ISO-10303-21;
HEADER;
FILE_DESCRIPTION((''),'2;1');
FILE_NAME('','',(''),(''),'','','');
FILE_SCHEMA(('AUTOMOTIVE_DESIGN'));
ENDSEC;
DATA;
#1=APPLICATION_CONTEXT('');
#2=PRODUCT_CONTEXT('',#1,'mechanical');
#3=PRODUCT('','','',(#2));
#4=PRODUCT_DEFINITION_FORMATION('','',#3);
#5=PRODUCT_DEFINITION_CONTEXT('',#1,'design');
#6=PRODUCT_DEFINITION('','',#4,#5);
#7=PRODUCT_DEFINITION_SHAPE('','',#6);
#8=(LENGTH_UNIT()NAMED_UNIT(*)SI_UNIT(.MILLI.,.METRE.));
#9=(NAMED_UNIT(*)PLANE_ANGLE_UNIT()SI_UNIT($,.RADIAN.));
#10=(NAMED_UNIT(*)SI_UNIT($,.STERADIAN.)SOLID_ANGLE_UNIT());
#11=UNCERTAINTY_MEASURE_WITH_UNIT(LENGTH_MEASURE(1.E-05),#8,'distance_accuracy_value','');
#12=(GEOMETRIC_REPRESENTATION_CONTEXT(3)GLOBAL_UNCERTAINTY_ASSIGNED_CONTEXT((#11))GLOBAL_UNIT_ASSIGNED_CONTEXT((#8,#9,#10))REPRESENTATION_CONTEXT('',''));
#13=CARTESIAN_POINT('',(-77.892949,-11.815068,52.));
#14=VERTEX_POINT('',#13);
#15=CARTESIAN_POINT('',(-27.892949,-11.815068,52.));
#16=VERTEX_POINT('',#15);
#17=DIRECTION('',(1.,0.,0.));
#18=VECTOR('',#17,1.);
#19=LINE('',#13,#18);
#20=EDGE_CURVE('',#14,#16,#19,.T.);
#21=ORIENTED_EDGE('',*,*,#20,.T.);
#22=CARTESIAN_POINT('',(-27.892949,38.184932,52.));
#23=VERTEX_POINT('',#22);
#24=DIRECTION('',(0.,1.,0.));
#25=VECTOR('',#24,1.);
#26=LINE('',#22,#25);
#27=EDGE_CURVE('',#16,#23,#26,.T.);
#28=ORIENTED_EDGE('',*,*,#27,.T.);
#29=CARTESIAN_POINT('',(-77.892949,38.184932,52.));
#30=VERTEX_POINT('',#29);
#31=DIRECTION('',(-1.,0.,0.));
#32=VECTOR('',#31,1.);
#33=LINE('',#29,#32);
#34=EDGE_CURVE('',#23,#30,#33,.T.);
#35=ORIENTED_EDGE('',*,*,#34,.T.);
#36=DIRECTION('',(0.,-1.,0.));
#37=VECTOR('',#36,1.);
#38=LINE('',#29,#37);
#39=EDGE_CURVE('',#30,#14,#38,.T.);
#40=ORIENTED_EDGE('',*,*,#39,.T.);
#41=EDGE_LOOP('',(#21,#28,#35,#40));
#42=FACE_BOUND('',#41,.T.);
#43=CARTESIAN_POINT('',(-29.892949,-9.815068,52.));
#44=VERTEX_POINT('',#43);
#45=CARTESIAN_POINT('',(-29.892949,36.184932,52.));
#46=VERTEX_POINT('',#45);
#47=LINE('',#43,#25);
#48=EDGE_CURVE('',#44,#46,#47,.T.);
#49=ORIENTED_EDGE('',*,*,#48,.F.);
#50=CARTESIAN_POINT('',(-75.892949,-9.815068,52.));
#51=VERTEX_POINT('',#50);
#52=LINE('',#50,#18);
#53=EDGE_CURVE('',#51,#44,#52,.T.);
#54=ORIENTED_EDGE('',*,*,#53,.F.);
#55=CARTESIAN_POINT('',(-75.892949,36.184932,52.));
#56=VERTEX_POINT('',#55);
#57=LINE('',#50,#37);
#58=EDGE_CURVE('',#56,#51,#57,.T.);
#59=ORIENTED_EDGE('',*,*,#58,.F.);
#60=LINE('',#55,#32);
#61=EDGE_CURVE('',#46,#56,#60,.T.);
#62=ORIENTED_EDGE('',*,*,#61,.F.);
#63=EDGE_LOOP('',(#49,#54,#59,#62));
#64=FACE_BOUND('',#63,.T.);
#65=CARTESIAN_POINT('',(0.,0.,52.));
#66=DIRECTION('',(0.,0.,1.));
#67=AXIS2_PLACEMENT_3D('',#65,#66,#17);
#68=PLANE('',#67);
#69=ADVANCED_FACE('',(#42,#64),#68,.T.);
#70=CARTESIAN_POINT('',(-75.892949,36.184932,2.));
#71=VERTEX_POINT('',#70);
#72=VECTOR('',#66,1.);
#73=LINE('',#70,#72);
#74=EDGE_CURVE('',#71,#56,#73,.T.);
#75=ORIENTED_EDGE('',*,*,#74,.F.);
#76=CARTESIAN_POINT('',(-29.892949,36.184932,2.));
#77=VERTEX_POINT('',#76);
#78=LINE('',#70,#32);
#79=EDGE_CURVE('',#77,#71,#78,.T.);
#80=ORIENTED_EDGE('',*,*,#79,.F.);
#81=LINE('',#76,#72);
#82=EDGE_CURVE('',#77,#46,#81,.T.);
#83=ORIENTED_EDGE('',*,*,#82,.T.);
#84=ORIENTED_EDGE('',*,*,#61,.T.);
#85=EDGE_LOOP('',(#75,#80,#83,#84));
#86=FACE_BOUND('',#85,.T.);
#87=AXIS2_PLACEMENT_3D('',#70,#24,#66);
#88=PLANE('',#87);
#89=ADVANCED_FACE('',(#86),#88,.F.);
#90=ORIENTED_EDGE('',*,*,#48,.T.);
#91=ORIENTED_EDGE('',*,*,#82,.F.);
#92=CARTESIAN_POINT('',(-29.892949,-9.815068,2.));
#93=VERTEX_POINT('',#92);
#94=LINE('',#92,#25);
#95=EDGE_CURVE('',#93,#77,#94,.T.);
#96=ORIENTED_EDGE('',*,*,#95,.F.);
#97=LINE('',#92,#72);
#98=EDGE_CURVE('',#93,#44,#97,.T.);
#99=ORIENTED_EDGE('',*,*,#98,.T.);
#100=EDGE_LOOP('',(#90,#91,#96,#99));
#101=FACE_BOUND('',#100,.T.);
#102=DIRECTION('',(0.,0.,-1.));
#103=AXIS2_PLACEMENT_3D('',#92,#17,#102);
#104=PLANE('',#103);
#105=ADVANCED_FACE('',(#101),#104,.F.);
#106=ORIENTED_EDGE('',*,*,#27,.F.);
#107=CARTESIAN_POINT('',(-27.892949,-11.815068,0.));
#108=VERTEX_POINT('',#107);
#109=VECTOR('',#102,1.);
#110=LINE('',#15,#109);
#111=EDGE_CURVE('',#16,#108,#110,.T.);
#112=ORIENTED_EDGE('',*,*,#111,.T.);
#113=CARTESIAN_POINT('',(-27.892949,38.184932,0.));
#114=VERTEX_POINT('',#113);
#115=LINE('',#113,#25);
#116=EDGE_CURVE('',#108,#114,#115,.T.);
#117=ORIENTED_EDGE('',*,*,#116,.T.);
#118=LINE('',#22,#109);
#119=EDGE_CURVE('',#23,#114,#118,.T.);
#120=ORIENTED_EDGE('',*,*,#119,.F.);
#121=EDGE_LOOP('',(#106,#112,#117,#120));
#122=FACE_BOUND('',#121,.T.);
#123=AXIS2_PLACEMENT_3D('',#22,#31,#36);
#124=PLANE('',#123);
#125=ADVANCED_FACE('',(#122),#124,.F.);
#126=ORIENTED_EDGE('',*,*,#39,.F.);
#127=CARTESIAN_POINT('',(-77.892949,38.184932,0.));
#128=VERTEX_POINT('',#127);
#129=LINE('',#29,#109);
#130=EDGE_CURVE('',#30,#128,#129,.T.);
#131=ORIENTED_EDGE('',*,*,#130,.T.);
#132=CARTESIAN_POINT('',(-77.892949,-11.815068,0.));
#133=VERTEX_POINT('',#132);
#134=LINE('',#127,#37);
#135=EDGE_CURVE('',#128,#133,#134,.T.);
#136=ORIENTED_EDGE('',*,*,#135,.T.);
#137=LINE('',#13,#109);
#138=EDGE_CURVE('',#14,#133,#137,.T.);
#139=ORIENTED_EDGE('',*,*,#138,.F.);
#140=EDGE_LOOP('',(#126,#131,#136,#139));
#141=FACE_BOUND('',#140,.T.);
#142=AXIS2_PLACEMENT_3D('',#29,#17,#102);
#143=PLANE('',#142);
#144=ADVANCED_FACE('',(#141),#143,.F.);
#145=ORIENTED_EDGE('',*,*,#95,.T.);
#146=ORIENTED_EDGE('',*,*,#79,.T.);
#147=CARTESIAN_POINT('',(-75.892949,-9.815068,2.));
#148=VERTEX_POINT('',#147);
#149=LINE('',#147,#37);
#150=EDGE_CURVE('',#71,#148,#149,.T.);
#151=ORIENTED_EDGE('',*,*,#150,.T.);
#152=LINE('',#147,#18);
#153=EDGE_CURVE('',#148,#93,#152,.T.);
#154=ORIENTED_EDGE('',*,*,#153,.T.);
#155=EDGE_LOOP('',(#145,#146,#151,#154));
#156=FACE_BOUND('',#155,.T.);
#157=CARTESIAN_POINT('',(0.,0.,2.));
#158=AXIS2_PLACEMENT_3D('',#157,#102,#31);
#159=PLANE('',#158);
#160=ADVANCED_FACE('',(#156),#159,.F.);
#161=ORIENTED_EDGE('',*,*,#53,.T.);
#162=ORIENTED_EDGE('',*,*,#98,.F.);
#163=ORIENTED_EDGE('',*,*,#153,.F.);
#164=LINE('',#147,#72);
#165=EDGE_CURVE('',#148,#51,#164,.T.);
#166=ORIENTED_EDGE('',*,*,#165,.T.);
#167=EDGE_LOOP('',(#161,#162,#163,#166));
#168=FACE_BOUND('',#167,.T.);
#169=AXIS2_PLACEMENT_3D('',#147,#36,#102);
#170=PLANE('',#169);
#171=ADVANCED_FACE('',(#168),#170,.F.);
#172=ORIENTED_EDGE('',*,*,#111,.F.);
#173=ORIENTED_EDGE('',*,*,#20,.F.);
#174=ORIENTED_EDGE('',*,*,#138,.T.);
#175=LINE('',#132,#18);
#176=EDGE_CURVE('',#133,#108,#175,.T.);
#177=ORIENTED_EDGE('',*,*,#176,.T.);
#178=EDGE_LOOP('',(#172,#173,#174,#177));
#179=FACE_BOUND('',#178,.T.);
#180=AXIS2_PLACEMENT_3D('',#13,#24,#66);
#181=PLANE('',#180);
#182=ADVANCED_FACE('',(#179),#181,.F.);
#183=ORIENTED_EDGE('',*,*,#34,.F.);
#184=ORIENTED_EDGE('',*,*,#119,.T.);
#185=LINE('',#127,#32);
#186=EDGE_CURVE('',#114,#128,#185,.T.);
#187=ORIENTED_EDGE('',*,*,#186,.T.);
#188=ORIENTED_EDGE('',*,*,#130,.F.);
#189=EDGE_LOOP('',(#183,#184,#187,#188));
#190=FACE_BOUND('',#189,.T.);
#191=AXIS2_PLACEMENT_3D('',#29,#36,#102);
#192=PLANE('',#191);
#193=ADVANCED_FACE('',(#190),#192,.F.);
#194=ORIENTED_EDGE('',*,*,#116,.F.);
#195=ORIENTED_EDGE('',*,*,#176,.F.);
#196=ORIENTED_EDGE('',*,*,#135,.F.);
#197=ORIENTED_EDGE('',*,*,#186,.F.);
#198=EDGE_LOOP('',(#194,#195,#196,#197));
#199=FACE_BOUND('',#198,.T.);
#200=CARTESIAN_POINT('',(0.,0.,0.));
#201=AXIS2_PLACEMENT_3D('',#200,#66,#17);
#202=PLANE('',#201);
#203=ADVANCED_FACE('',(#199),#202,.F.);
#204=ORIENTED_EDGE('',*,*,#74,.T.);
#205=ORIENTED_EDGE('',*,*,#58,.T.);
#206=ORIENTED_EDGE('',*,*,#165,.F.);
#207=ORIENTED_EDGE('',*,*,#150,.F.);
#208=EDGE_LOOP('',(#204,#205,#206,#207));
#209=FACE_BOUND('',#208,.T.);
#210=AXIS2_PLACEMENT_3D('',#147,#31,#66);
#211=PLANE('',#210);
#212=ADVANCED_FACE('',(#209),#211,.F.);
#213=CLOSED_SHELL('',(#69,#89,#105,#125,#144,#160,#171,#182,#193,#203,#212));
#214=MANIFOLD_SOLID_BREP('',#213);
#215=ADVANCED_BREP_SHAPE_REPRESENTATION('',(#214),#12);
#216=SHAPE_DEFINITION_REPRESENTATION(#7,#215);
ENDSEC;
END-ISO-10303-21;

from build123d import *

# Parameters (mm, degrees)
CROQUIS1_W              = 50
CROQUIS1_H              = 50
SALIENTE_EXTRUIR1_DEPTH = 52
CROQUIS2_W              = 46
CROQUIS2_H              = 46
CORTAR_EXTRUIR1_DEPTH   = 50


with BuildPart() as part:
    # Croquis1 → Saliente-Extruir1 (new body)
    with BuildSketch(Plane.XY):
        with Locations((-52.892949436, 13.184931507)):
            Rectangle(CROQUIS1_W, CROQUIS1_H)
    extrude(amount=SALIENTE_EXTRUIR1_DEPTH)

    # Croquis2 → Cortar-Extruir1 (cut)
    with BuildSketch(Plane.XY.offset(52)):
        with Locations((-52.892949436, 13.184931507)):
            Rectangle(CROQUIS2_W, CROQUIS2_H)
    extrude(amount=-CORTAR_EXTRUIR1_DEPTH, mode=Mode.SUBTRACT)


solid = part.part
